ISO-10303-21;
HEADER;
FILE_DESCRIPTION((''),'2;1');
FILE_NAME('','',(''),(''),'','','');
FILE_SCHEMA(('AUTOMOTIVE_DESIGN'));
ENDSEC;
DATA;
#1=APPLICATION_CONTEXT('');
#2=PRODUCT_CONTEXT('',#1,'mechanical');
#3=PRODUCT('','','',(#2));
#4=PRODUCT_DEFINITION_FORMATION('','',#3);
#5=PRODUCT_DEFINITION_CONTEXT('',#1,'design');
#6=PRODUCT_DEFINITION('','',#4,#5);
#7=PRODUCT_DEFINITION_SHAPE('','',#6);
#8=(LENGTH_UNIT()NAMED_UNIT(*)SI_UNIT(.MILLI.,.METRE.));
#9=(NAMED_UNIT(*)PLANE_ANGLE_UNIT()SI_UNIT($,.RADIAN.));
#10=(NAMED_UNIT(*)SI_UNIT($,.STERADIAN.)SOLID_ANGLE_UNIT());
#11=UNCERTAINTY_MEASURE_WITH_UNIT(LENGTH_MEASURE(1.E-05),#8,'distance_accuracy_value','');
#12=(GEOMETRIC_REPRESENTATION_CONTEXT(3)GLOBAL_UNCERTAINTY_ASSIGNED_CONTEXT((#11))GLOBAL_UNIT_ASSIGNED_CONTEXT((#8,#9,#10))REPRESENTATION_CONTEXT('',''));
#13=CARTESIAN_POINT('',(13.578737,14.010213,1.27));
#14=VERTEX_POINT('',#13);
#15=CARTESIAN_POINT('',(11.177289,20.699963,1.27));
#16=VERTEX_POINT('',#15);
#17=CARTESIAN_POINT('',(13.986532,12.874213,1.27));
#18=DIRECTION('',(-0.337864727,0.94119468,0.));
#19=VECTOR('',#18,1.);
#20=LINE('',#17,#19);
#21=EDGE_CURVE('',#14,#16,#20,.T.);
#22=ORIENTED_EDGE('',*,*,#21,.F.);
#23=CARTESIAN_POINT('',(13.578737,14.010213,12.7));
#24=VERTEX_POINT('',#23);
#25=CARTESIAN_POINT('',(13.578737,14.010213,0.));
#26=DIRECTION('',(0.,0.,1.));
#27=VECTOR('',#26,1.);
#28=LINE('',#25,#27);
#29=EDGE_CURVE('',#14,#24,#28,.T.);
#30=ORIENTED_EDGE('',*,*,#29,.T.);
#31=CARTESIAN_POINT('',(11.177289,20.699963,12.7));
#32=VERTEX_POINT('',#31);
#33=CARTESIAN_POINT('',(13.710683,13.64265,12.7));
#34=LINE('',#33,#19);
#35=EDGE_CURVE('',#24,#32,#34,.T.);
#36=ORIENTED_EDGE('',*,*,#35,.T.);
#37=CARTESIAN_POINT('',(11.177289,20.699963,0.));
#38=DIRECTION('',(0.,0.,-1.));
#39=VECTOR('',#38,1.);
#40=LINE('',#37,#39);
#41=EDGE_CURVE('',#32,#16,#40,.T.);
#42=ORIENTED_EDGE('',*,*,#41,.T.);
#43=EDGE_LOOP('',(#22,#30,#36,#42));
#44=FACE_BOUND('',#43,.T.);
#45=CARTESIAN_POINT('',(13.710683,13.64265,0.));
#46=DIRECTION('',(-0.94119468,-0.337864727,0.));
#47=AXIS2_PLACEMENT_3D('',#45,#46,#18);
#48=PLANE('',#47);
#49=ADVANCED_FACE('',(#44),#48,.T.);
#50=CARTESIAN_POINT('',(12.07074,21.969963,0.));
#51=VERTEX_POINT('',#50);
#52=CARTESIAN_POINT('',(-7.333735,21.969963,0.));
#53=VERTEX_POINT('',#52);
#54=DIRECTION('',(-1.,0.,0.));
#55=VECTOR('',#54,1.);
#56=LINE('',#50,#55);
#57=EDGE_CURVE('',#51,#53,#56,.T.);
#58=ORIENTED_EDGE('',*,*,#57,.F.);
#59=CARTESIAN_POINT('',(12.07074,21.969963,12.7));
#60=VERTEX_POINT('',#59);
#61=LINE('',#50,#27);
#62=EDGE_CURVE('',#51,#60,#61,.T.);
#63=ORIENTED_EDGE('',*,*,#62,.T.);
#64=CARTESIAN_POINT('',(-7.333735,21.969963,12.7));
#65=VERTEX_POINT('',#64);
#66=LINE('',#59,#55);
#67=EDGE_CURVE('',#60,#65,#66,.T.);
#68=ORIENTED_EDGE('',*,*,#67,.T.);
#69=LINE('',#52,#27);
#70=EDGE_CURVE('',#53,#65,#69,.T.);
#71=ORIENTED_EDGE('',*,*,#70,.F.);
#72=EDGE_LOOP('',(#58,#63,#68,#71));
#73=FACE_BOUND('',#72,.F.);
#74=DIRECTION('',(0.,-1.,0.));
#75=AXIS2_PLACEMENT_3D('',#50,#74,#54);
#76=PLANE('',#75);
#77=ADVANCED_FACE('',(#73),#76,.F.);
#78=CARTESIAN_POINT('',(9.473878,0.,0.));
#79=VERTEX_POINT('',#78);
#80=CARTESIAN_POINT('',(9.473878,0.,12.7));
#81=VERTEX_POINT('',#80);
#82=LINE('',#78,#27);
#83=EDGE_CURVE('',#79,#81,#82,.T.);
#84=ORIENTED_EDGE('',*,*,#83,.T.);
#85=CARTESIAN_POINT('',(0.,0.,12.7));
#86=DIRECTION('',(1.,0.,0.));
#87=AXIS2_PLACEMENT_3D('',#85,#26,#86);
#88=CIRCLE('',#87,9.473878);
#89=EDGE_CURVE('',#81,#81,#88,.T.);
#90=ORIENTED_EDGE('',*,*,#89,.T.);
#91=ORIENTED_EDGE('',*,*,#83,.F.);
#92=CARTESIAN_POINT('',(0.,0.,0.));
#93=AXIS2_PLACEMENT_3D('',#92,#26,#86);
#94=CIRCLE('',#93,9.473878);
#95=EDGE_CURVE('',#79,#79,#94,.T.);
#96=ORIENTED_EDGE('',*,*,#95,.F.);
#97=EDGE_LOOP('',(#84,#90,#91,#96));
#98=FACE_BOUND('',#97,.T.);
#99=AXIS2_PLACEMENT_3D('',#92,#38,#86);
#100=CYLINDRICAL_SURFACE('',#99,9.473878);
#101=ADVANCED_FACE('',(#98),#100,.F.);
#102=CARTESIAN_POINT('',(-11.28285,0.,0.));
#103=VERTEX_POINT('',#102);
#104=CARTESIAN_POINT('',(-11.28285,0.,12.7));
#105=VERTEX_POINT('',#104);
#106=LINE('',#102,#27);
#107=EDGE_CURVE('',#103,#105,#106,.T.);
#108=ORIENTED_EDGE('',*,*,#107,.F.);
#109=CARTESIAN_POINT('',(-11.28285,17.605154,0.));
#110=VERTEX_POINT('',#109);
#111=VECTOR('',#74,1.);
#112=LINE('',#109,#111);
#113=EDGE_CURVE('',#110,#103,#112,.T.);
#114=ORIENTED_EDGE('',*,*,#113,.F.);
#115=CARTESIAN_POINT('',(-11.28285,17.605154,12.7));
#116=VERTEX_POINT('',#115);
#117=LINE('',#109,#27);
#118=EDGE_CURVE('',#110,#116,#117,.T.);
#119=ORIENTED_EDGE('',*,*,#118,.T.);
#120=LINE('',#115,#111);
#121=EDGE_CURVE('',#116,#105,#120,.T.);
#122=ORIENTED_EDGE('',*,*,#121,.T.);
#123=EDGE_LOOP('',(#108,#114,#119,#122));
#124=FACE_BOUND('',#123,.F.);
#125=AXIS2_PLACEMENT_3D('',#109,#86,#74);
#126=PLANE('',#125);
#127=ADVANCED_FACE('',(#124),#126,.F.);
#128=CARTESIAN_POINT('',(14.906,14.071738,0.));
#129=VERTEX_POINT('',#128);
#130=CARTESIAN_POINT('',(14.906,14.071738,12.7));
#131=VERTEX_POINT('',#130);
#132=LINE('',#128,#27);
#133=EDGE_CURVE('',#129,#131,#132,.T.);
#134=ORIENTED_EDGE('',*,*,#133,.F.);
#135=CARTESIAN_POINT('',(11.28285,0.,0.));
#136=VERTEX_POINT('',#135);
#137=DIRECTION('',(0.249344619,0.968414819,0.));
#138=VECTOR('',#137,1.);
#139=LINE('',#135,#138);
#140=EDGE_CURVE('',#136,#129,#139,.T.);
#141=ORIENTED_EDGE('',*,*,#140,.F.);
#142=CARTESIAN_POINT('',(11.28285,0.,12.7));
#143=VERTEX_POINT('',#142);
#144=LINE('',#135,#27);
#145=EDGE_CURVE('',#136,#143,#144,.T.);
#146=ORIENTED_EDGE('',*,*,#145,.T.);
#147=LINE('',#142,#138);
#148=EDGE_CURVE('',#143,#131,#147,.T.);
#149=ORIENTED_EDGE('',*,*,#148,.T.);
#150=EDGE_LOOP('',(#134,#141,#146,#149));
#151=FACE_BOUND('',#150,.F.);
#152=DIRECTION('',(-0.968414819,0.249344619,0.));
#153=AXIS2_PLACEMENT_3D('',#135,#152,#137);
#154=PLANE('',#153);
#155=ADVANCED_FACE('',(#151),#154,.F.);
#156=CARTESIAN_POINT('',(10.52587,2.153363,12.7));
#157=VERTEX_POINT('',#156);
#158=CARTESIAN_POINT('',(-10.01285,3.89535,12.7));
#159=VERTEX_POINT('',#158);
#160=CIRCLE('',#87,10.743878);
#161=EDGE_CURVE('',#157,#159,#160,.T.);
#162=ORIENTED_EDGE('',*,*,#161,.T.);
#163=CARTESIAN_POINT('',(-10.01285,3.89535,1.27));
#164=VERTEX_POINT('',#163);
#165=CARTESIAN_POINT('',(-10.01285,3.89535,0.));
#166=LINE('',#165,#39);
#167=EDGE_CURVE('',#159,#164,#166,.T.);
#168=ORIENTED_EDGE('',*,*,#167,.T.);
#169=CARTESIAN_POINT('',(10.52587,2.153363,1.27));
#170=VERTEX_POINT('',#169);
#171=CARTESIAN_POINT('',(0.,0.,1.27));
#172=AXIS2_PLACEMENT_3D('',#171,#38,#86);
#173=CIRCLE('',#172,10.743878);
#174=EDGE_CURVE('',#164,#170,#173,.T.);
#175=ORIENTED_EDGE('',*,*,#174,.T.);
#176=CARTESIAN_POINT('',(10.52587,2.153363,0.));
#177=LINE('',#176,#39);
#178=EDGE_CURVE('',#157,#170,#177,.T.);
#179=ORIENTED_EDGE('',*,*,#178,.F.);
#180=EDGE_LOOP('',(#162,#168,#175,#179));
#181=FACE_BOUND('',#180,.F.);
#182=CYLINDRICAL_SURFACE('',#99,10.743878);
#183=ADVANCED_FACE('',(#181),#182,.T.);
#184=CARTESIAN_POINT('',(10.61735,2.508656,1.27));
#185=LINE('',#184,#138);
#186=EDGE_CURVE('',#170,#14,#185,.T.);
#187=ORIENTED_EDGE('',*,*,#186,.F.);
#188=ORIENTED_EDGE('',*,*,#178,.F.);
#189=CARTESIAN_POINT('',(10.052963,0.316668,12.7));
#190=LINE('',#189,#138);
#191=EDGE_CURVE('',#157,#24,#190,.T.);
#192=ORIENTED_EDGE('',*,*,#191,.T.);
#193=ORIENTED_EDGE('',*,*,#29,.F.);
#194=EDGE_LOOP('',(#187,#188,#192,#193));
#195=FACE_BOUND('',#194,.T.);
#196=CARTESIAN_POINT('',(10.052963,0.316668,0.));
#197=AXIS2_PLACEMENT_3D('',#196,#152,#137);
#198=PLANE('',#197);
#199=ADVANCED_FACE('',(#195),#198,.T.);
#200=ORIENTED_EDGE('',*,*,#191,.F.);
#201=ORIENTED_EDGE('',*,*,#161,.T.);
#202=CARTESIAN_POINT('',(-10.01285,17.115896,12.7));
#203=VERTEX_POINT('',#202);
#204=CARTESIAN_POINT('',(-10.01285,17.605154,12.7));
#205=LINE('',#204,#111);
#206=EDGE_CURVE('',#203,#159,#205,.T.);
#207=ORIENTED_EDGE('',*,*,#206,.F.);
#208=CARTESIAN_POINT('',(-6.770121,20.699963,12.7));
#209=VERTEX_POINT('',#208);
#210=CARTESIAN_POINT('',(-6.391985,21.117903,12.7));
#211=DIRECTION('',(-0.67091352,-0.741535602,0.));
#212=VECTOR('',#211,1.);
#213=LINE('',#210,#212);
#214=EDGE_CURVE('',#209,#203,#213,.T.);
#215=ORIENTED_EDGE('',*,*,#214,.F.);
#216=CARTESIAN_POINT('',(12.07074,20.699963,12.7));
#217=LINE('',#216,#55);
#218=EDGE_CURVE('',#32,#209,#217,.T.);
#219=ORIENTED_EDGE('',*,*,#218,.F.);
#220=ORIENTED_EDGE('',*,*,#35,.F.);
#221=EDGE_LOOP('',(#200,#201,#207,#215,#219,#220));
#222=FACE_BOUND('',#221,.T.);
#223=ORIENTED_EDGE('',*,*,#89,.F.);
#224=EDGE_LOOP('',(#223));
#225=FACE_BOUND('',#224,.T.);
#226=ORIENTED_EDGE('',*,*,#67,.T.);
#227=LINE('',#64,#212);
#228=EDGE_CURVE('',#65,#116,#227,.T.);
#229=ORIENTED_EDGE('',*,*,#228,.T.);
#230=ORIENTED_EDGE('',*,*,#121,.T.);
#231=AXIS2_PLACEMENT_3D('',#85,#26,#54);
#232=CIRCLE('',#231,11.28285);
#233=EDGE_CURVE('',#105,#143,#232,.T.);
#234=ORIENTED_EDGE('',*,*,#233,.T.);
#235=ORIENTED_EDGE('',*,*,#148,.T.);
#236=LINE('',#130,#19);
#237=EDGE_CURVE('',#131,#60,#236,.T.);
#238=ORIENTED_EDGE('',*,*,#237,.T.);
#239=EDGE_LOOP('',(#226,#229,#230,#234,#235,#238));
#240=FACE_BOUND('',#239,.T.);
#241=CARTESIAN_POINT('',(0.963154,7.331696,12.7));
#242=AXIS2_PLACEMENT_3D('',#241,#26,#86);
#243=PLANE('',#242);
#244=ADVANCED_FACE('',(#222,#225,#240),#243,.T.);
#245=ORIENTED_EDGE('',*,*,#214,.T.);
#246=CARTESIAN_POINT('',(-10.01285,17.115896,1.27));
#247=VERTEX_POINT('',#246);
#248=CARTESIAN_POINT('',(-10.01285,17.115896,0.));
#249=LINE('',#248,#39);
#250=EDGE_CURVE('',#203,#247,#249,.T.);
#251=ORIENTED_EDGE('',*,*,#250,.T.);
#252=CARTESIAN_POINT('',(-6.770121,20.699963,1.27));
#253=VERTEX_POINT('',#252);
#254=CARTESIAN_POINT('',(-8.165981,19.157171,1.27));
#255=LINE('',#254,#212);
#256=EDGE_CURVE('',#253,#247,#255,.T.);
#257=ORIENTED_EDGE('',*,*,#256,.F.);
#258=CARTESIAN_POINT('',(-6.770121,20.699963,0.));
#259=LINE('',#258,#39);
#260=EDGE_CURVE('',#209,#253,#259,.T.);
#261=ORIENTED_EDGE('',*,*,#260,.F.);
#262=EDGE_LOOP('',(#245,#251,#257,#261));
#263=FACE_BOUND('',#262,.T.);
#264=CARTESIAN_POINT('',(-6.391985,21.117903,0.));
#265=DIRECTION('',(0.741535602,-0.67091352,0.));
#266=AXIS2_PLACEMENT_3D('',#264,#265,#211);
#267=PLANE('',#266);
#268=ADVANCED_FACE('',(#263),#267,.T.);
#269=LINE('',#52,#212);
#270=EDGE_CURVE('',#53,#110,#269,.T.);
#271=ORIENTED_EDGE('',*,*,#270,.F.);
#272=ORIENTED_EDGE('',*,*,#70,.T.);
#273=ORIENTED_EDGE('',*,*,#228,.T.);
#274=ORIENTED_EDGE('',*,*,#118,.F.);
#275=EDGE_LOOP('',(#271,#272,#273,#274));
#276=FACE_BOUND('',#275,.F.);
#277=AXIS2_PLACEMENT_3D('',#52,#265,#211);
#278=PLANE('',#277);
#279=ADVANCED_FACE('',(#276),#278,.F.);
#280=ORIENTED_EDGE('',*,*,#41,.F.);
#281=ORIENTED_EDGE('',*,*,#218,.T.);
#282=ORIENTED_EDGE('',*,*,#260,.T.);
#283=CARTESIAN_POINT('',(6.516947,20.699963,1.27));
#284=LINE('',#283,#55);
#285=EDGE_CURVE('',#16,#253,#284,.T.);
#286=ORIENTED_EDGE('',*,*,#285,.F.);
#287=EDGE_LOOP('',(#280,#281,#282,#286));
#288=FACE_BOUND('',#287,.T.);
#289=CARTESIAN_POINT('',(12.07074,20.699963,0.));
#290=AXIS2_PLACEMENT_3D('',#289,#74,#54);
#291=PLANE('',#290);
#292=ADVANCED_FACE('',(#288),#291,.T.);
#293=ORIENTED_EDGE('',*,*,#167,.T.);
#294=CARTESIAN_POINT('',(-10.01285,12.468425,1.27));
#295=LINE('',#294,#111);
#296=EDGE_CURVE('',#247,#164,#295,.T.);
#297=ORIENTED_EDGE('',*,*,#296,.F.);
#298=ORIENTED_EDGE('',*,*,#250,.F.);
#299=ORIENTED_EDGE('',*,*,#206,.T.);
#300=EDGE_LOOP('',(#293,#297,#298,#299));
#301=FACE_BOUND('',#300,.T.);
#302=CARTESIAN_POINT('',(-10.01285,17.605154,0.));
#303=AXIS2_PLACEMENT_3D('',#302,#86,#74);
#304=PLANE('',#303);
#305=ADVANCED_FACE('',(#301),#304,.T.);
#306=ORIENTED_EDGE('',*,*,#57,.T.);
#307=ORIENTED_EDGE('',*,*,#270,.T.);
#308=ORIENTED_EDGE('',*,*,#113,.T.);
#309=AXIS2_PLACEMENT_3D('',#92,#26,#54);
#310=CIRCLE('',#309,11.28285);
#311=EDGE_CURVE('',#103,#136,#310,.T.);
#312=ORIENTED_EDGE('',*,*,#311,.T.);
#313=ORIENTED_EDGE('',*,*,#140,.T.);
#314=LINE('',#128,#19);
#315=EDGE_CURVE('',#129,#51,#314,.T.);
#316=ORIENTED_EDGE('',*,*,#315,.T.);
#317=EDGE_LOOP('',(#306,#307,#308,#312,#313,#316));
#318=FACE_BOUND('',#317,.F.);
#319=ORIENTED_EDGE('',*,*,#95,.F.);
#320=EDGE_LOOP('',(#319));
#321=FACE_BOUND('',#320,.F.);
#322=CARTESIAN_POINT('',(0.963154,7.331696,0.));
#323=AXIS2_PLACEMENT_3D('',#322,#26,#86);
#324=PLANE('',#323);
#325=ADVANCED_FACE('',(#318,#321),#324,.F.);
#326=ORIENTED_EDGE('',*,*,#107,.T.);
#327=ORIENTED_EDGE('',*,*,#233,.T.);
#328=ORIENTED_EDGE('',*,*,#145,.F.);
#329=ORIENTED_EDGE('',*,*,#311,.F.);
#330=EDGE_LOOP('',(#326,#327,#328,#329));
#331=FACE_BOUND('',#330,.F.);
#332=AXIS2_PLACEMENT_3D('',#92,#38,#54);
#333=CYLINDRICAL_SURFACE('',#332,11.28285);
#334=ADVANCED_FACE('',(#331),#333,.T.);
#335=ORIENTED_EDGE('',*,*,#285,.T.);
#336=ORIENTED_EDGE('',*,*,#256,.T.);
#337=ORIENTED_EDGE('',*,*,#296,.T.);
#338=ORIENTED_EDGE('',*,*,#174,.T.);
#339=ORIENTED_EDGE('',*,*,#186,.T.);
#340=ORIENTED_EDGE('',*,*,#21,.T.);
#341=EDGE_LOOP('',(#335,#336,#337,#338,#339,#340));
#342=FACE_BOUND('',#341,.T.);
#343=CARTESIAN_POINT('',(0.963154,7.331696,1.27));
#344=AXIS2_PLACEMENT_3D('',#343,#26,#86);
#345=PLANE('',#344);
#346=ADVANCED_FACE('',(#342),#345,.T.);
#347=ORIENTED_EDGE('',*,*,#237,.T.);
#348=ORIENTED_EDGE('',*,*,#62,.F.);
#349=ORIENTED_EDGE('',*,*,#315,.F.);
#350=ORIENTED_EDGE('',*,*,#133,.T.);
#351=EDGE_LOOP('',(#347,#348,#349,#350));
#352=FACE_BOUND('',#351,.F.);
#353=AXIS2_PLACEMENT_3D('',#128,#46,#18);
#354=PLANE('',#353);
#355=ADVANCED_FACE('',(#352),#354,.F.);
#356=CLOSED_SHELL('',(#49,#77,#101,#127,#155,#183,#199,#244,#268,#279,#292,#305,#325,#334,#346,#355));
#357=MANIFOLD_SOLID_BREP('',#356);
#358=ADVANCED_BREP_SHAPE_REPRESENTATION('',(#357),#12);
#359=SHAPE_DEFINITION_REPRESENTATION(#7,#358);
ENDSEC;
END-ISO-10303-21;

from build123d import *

# Parameters (mm, degrees)
F0_R     = 9.473878
F1_DEPTH = 12.7
F2_T     = -1.27


with BuildPart() as f1:
    # F0 (on Top) → F1 (new body)
    with BuildSketch(Plane.XY):
        with BuildLine():
            Line((-11.28285, 17.605154), (-11.28285, 0))
            ThreePointArc((-11.28285, 0), (0, -11.28285), (11.28285, 0))
            Line((11.28285, 0), (14.906, 14.071738))
            Line((14.906, 14.071738), (12.07074, 21.969963))
            Line((12.07074, 21.969963), (-7.333735, 21.969963))
            Line((-7.333735, 21.969963), (-11.28285, 17.605154))
        make_face()
        Circle(F0_R, mode=Mode.SUBTRACT)
    extrude(amount=F1_DEPTH)

    # F2
    f2_openings = [f1.faces().sort_by_distance(p)[0] for p in [
        (1.389795, 10.824441, 12.7),
    ]]
    offset(amount=F2_T, openings=f2_openings)


solid = f1.part
